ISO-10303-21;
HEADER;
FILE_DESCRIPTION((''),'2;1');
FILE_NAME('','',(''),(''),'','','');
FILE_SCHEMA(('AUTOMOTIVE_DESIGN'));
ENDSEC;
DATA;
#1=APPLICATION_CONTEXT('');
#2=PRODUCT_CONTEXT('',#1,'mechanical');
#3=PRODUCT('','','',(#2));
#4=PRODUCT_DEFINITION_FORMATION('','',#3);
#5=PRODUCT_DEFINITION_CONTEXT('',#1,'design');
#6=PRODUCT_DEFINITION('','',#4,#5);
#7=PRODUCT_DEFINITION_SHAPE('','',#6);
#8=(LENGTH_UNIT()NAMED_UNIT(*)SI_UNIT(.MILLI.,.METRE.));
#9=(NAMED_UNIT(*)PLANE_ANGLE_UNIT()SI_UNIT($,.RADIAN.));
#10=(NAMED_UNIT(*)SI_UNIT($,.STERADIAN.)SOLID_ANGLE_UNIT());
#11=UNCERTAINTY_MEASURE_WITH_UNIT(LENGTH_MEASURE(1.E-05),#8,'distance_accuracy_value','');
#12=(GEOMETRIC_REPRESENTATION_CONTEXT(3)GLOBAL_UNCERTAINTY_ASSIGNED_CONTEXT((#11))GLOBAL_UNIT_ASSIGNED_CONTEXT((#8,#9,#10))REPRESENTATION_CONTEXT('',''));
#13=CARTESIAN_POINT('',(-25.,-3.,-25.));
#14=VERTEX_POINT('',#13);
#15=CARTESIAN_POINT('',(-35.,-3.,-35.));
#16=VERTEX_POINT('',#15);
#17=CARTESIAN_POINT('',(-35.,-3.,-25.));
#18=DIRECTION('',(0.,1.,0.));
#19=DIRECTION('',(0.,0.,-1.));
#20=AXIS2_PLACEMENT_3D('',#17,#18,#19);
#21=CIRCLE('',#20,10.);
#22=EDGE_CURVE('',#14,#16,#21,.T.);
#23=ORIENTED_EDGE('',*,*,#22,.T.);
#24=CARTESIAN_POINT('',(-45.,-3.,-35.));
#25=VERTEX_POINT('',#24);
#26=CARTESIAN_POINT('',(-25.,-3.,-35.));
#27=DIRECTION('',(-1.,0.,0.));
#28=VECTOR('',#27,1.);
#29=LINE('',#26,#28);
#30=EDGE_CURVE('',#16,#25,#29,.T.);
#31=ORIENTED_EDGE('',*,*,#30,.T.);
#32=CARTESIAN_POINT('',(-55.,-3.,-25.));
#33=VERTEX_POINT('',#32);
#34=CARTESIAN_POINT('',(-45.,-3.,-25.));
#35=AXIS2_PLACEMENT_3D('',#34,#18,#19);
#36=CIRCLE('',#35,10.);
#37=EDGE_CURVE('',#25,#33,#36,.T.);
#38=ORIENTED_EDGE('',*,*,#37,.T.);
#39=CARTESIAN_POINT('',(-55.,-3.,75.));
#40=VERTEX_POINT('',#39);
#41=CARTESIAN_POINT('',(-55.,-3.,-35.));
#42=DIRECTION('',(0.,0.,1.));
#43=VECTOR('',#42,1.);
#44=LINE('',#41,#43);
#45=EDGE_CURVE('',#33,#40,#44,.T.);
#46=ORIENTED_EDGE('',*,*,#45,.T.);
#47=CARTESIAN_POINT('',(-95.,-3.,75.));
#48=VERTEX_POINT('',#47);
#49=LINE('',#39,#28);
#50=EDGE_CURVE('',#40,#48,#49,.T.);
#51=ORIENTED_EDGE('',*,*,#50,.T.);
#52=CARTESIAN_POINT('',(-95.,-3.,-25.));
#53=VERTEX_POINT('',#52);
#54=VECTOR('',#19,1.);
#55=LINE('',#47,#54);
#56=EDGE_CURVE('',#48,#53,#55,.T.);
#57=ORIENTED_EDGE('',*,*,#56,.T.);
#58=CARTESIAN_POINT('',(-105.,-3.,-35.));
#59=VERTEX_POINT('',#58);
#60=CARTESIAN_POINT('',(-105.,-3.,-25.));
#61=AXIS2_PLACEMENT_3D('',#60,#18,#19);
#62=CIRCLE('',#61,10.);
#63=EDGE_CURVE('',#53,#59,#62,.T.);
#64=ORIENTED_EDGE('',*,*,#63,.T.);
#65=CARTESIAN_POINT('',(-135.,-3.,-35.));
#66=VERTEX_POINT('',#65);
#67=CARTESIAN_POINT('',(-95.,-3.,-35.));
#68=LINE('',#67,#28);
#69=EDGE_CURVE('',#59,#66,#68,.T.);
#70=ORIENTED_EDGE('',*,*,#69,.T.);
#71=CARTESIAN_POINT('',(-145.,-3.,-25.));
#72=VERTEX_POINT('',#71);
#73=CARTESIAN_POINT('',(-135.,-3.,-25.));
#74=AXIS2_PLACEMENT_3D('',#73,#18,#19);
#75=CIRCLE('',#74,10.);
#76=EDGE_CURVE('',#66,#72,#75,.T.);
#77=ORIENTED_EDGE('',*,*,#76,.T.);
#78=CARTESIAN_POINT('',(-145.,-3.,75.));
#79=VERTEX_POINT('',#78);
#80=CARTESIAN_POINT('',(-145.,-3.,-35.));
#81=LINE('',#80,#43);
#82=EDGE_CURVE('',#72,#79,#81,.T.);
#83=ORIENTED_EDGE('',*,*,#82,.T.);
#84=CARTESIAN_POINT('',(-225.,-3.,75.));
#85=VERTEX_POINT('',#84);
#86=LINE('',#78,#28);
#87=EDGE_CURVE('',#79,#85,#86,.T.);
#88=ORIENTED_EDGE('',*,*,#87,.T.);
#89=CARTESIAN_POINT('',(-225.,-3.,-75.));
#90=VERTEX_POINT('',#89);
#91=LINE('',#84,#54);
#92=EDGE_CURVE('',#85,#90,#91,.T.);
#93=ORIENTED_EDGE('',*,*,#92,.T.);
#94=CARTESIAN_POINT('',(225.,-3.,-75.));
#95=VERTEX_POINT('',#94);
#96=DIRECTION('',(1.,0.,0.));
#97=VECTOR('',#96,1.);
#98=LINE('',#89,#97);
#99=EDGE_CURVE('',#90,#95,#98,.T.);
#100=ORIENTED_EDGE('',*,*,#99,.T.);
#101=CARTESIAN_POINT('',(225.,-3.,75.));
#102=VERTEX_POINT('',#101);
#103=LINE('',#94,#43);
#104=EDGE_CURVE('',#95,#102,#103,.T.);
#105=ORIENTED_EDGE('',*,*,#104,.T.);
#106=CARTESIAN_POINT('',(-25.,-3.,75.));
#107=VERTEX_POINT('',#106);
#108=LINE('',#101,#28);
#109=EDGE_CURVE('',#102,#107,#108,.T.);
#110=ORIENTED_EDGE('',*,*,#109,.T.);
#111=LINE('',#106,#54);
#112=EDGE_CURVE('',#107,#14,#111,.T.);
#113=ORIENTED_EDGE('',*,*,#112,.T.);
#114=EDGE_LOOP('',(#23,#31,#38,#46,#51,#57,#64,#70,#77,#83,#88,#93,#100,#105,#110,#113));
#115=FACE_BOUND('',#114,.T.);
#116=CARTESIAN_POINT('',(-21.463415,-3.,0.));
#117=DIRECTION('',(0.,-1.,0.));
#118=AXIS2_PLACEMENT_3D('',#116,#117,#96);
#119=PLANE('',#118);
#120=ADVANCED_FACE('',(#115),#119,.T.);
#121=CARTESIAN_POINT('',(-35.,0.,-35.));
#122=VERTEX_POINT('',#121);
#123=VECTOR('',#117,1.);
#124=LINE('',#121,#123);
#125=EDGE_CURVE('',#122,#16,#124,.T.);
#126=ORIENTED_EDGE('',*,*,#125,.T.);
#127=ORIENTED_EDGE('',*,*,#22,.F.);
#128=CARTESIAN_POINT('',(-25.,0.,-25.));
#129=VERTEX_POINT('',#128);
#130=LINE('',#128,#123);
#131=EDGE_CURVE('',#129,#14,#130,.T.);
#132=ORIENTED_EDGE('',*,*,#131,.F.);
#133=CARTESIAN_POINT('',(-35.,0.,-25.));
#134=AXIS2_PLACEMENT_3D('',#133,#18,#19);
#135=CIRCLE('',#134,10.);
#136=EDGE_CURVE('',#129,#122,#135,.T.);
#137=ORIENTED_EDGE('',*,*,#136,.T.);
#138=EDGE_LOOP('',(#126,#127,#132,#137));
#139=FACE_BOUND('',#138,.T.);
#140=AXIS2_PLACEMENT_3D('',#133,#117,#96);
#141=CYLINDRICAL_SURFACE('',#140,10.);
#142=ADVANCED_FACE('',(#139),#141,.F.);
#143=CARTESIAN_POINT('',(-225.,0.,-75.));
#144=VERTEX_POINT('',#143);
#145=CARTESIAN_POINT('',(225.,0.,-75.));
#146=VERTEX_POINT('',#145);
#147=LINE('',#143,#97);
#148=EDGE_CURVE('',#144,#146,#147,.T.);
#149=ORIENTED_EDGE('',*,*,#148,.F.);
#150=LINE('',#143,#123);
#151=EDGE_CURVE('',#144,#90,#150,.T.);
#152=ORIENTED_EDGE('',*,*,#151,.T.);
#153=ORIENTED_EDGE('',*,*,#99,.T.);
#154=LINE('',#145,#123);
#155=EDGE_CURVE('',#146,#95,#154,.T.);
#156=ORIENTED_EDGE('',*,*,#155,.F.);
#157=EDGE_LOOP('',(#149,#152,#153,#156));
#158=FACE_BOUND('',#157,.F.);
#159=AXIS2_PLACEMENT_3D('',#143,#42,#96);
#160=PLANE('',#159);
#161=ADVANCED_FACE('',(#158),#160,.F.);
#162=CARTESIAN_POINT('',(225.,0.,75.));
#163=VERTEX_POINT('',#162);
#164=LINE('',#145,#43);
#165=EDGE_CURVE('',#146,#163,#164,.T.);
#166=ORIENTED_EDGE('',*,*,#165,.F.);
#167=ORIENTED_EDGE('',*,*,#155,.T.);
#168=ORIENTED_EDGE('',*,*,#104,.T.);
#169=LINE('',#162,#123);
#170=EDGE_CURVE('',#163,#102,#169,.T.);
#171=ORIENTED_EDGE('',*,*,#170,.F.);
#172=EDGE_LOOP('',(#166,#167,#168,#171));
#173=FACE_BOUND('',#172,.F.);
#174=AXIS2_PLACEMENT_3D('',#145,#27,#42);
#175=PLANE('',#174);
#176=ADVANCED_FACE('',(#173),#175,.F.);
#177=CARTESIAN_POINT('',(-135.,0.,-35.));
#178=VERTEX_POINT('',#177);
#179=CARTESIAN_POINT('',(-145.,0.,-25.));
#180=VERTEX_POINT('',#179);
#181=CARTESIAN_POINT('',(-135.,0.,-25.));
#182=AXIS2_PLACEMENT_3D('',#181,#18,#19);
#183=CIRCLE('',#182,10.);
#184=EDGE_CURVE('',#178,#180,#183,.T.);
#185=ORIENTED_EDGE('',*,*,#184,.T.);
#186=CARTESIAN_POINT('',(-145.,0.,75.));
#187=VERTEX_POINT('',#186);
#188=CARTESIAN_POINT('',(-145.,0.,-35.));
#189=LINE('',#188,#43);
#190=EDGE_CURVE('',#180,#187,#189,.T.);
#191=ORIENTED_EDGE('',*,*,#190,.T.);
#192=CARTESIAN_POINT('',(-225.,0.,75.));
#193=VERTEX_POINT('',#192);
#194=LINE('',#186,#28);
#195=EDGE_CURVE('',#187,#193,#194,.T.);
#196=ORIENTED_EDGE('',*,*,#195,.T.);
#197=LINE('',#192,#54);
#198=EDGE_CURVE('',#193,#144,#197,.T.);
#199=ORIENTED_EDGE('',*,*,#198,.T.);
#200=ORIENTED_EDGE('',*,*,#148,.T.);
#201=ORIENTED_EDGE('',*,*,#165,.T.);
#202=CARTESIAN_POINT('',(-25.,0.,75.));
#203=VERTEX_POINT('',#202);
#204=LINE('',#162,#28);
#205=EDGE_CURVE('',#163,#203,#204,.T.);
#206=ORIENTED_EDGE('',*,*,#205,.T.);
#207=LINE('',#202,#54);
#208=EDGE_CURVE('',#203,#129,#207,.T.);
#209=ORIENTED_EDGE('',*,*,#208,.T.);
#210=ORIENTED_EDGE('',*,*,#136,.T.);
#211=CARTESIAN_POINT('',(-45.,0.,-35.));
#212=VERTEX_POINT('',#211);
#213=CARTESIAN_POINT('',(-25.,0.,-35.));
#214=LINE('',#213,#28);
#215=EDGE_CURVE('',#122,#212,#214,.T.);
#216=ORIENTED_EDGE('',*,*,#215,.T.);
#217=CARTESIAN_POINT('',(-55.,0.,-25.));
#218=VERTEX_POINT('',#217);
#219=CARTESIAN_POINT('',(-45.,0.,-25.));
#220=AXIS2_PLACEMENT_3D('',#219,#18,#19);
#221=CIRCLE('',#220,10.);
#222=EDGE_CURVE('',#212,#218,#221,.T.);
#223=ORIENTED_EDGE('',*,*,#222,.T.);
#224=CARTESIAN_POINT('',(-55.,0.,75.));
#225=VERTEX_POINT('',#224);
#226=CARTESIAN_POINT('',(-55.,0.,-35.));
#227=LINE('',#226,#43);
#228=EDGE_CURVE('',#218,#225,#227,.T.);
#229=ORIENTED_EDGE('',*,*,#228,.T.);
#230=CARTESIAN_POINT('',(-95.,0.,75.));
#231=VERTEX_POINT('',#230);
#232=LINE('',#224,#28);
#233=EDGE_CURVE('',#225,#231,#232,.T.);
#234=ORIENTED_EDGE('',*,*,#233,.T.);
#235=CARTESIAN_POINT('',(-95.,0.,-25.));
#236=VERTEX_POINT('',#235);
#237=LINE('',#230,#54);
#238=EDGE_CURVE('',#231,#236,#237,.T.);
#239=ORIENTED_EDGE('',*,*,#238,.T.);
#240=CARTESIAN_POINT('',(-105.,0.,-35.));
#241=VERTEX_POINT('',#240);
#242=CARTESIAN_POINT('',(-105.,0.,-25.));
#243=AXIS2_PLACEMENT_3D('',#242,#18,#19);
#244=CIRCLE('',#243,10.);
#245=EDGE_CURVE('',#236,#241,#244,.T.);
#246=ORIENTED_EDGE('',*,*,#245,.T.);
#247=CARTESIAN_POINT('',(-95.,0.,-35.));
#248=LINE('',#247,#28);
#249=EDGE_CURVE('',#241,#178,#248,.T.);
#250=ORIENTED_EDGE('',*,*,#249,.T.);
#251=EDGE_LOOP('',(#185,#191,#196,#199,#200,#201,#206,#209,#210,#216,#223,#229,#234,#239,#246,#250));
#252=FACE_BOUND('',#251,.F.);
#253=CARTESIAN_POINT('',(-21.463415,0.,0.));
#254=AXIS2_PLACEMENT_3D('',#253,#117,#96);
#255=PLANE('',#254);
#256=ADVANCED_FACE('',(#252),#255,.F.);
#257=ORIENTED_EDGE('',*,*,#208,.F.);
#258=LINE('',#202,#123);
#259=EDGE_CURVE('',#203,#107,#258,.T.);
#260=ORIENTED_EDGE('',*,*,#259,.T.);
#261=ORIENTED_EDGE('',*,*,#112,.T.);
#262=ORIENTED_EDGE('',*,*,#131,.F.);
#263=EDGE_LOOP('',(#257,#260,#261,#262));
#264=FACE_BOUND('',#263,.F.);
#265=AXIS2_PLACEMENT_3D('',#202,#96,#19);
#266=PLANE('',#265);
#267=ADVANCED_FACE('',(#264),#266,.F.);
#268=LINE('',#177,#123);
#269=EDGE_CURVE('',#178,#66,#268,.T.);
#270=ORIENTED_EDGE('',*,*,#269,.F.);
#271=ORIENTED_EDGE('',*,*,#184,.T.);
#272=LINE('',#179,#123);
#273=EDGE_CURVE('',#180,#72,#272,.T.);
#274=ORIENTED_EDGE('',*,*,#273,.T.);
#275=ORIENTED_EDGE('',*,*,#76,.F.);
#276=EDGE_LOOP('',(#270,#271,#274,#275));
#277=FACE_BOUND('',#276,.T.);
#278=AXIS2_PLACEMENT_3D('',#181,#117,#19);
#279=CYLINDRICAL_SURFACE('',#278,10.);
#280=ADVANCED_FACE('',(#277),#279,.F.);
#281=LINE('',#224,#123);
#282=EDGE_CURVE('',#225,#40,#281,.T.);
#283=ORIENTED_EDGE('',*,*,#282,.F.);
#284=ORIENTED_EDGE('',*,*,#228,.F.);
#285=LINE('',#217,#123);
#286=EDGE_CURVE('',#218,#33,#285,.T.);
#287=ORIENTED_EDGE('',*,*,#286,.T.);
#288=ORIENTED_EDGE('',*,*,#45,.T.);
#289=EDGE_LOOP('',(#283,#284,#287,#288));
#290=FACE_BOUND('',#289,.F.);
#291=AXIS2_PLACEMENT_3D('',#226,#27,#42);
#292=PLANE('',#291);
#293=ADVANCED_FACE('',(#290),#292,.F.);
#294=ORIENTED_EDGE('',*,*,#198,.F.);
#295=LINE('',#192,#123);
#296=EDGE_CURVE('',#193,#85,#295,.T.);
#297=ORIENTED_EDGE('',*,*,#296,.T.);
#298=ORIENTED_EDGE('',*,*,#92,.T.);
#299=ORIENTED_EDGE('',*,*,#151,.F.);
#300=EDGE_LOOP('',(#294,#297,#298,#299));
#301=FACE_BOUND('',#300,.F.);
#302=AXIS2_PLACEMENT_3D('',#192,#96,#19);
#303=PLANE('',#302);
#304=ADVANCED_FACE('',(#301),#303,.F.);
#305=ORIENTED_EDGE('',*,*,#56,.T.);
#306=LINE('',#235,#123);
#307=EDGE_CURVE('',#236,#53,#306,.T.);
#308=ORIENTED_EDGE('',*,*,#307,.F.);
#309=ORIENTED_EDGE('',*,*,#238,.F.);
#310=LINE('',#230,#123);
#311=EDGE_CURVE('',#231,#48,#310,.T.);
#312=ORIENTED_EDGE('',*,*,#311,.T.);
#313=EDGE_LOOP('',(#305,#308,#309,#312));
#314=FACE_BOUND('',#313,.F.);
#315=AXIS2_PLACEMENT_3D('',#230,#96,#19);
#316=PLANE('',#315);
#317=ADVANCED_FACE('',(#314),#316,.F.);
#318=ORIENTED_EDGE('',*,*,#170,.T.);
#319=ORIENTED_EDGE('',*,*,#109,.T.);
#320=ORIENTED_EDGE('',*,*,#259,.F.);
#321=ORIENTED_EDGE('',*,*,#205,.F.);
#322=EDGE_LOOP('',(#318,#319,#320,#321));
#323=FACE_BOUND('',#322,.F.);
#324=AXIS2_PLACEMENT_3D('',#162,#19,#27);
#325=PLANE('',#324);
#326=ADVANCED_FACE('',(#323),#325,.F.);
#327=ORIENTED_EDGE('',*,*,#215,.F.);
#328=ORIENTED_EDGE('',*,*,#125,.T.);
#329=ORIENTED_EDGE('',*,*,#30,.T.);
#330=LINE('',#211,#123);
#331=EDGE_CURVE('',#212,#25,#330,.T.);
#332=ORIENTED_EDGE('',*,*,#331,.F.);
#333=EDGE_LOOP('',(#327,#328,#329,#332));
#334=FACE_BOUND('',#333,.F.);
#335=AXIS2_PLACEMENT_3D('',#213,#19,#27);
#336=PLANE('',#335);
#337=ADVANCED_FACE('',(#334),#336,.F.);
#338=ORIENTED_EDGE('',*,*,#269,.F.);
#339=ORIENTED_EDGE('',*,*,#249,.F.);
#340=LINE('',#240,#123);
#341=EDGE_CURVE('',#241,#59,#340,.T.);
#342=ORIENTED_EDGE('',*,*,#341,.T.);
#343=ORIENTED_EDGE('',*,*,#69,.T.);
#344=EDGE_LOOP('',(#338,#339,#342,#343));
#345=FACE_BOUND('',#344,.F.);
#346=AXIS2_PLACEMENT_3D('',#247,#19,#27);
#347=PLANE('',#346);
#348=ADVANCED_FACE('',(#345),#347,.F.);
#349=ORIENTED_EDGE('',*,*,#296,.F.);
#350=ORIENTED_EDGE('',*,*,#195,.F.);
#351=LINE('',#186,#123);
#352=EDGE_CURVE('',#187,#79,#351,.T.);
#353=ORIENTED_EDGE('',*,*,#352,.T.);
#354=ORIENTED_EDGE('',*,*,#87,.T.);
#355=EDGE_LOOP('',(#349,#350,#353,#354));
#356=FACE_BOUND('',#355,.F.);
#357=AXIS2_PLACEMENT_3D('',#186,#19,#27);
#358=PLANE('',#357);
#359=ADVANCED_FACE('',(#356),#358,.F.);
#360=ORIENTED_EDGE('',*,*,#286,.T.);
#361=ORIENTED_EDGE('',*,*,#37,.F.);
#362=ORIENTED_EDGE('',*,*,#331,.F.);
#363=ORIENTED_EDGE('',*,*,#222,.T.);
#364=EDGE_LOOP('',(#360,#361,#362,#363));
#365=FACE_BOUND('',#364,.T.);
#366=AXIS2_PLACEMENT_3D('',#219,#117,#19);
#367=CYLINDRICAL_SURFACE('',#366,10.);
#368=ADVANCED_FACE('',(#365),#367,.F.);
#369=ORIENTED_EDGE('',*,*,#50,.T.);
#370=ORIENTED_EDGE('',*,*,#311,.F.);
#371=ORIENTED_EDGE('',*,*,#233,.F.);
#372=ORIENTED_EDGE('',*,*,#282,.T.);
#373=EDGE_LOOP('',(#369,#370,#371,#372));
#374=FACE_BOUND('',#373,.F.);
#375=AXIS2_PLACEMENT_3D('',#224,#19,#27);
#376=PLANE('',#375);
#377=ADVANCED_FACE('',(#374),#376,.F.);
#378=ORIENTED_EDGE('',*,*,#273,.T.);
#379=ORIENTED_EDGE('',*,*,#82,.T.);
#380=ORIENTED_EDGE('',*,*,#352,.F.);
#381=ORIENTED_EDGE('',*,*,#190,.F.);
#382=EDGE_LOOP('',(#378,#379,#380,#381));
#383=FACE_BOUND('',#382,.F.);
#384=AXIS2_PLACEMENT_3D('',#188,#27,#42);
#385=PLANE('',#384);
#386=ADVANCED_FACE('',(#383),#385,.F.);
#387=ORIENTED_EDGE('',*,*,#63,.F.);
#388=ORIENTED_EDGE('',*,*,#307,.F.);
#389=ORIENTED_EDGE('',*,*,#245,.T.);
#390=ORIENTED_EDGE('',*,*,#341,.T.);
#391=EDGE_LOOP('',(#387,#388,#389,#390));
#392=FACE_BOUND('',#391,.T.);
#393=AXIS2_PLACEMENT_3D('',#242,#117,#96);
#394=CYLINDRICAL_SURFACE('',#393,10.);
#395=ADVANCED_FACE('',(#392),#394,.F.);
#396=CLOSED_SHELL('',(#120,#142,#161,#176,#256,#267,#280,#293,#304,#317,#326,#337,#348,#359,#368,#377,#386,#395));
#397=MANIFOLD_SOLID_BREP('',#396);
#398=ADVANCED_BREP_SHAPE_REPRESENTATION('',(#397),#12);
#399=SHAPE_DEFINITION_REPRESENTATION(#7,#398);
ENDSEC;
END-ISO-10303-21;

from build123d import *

# Parameters (mm, degrees)
F1_DEPTH = 3
F2_R     = 10


with BuildPart() as f1:
    # F0 (on Front) → F1 (new body)
    with BuildSketch(Plane.XZ):
        Polygon((-225, 75), (-225, -75), (225, -75), (225, 75), (-25, 75), (-25, -35), (-55, -35), (-55, 75), (-95, 75), (-95, -35), (-145, -35), (-145, 75), align=None)
    extrude(amount=F1_DEPTH)

    # F2
    f2_edges = [f1.edges().sort_by_distance(p)[0] for p in [
        (-145, -1.5, -35),
        (-95, -1.5, -35),
        (-25, -1.5, -35),
        (-55, -1.5, -35),
    ]]
    fillet(f2_edges, radius=F2_R)


solid = f1.part
